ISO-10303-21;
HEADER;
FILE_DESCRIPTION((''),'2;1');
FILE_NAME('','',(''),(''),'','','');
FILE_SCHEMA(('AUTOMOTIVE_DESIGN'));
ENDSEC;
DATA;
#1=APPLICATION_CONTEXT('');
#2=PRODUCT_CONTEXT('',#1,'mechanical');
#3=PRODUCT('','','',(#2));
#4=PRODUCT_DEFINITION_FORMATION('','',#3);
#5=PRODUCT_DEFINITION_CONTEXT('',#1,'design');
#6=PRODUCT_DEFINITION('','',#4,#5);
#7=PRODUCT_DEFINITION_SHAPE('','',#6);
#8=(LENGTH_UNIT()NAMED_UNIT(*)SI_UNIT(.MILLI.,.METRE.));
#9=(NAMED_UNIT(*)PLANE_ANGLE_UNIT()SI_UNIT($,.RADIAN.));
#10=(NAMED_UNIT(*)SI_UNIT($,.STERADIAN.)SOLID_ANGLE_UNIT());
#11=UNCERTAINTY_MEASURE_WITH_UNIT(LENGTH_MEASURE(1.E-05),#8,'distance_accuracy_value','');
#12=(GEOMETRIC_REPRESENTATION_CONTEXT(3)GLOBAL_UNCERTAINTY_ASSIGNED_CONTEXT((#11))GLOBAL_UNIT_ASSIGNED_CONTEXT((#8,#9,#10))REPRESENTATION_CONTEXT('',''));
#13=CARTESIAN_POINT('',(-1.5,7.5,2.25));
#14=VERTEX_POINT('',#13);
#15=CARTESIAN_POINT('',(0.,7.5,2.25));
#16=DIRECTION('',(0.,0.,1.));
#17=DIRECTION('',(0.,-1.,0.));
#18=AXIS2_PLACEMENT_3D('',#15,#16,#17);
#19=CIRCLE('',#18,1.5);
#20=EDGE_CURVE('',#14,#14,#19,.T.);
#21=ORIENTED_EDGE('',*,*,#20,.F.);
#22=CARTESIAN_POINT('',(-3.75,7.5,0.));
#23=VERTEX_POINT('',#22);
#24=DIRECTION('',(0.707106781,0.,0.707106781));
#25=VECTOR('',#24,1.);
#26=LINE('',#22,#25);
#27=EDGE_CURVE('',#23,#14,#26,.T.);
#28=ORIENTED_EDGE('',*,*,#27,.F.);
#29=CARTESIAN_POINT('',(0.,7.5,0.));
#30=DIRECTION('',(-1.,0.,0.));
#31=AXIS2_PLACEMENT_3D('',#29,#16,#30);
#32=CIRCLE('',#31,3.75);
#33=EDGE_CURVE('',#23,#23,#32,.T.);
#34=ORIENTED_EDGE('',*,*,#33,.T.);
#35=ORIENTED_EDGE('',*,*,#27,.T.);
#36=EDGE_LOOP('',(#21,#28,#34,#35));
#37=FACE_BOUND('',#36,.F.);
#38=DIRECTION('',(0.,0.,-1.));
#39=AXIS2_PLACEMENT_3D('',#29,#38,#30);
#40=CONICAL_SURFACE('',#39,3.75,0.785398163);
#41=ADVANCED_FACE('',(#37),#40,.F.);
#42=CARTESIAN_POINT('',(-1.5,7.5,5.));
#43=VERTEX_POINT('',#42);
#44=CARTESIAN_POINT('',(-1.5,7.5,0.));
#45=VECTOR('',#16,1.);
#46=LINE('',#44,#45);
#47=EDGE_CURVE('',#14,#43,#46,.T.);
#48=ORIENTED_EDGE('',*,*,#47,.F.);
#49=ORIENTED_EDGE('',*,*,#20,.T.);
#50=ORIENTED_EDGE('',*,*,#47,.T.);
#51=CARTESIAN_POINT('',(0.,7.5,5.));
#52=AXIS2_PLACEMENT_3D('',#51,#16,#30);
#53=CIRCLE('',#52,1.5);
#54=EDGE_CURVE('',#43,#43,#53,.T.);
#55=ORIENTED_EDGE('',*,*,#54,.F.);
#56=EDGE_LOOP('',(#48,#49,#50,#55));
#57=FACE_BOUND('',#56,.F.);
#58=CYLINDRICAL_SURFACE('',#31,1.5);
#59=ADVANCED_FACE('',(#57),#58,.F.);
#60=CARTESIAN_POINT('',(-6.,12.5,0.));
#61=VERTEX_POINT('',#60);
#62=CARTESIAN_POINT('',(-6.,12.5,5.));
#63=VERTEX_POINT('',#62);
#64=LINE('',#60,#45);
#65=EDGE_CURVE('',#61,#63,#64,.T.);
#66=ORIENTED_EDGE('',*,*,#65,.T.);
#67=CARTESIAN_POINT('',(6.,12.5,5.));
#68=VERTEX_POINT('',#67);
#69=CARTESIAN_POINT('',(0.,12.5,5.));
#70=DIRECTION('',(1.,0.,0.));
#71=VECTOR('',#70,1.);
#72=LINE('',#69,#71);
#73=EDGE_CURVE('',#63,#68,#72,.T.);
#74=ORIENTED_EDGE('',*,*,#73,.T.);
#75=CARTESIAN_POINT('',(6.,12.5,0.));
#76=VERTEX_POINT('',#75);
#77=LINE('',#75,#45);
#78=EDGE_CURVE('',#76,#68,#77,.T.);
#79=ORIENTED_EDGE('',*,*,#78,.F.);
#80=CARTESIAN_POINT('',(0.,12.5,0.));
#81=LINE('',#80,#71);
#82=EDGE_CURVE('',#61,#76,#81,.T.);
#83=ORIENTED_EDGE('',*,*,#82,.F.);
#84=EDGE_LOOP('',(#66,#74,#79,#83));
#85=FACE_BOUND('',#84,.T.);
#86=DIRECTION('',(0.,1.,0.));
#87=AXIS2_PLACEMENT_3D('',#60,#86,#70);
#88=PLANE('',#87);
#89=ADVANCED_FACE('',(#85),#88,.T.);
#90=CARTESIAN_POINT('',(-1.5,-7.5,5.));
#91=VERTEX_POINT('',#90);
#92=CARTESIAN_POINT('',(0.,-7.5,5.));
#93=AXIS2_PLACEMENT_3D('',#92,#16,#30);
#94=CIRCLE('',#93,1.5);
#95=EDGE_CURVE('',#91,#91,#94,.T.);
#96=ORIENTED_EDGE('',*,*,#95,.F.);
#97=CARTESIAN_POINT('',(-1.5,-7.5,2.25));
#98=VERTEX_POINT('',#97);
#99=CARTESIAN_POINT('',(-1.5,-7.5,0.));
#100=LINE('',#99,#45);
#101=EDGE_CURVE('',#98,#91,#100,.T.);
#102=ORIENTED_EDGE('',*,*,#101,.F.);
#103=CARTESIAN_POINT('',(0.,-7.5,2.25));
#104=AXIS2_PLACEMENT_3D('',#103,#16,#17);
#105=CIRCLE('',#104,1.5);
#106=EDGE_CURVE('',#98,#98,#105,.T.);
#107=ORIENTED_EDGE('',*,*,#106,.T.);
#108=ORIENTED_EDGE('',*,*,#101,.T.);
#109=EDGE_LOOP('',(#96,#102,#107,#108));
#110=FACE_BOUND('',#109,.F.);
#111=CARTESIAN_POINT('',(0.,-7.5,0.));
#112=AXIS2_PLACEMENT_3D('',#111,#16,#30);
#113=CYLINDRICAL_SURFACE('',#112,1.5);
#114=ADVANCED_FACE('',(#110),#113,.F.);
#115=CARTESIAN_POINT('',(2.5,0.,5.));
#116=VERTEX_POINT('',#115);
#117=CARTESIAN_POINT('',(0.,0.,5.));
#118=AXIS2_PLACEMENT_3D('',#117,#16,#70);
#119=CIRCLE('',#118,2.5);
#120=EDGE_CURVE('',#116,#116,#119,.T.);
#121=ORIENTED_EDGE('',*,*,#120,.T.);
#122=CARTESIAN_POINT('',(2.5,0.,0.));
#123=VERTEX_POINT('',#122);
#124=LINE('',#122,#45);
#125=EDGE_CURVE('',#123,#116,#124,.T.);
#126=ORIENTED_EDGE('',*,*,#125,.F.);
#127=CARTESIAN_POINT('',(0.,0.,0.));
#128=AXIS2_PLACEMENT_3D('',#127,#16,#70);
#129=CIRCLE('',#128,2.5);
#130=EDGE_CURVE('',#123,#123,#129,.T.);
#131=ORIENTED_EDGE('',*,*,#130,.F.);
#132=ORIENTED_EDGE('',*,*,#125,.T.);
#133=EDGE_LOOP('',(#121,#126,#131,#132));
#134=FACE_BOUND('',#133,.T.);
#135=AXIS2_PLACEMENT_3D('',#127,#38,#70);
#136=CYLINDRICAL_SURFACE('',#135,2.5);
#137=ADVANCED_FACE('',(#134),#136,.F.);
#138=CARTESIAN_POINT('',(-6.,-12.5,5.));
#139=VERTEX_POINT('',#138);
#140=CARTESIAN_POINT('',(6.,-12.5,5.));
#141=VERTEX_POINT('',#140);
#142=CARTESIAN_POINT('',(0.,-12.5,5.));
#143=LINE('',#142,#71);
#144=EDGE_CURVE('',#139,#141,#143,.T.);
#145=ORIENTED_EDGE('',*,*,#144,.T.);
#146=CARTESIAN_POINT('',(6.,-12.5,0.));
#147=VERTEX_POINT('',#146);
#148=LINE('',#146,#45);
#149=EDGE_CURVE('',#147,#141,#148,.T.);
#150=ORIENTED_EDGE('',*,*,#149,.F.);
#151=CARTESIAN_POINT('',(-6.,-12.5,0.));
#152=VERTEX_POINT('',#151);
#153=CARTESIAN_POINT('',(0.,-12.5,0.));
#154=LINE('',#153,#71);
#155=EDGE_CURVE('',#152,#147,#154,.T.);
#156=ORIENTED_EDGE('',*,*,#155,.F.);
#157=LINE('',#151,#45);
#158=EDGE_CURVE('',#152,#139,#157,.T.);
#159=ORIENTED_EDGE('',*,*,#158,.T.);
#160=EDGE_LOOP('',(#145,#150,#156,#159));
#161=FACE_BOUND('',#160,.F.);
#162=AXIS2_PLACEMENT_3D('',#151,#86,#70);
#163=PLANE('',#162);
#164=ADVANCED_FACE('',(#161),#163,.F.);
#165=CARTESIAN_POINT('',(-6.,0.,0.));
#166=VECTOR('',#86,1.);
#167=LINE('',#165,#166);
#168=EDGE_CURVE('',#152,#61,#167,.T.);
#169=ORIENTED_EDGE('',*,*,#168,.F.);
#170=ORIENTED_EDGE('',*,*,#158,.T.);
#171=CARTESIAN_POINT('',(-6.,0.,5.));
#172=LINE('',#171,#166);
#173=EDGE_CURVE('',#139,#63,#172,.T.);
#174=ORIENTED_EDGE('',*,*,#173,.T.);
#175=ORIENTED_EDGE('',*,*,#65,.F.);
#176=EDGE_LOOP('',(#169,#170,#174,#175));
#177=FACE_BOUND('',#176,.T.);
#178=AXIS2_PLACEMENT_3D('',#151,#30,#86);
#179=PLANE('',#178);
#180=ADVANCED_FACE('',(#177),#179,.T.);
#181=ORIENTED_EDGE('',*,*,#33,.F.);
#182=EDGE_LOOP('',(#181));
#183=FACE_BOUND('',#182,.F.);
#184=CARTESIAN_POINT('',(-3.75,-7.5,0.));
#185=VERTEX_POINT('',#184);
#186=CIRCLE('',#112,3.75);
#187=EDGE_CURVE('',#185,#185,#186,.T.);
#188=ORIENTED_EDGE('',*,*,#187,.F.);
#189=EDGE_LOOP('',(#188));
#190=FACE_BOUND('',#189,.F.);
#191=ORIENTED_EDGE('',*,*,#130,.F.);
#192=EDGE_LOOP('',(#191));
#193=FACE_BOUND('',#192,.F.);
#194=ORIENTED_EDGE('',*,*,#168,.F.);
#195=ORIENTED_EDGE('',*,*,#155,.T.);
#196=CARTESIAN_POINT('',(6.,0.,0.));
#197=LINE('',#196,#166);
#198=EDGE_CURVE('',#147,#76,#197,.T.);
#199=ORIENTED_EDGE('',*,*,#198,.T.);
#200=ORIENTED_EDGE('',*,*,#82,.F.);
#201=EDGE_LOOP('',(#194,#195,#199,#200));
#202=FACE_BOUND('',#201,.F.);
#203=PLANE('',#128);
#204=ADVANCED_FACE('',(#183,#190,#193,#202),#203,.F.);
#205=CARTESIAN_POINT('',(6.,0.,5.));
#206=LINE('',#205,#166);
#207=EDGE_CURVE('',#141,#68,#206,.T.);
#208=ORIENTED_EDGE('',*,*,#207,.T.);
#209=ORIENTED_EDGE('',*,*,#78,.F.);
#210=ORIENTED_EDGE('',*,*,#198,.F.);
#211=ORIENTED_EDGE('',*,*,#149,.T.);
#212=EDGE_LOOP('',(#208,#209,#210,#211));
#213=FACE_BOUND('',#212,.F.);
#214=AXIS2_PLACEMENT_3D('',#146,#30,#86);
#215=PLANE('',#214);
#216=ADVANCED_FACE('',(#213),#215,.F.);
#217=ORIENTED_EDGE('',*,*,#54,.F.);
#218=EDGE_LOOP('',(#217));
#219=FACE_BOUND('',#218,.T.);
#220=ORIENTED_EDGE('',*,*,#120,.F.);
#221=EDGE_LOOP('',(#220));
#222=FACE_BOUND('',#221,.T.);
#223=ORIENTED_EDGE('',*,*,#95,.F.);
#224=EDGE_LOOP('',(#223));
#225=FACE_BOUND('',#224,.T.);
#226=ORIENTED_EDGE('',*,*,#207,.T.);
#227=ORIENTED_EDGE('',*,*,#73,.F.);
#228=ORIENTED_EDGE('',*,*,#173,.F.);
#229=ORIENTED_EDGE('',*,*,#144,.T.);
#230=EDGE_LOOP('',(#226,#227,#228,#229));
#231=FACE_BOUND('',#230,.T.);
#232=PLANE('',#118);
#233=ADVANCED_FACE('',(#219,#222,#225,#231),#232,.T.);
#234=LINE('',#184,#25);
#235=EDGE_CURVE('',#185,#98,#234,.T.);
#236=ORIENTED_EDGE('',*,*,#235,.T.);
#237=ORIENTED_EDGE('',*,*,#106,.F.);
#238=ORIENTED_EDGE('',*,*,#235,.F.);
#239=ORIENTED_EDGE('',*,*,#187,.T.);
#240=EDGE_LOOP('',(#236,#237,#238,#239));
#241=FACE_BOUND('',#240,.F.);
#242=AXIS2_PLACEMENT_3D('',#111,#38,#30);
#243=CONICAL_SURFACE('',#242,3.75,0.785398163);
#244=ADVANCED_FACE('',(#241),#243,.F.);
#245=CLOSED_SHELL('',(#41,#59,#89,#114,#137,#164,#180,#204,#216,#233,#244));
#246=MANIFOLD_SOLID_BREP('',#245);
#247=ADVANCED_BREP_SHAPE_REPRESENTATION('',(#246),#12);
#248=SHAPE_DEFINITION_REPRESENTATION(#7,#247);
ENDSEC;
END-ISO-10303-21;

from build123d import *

# Parameters (mm, degrees)
F0_W           = 12
F0_H           = 25
F0_R           = 2.5
F1_DEPTH       = 5
F3_D           = 3
F3_CSINK_D     = 7.5
F3_CSINK_ANGLE = 90


with BuildPart() as f1:
    # F0 (on Top) → F1 (new body)
    with BuildSketch(Plane.XY):
        Rectangle(F0_W, F0_H)
        Circle(F0_R, mode=Mode.SUBTRACT)
    extrude(amount=F1_DEPTH)

    # F3 (through all)
    with Locations(Plane(origin=(0, 0, 0), x_dir=(1, 0, 0), z_dir=(0, 0, -1))):
        with Locations((0, 7.5), (0, -7.5)):
            CounterSinkHole(F3_D / 2, F3_CSINK_D / 2, counter_sink_angle=F3_CSINK_ANGLE)


solid = f1.part
